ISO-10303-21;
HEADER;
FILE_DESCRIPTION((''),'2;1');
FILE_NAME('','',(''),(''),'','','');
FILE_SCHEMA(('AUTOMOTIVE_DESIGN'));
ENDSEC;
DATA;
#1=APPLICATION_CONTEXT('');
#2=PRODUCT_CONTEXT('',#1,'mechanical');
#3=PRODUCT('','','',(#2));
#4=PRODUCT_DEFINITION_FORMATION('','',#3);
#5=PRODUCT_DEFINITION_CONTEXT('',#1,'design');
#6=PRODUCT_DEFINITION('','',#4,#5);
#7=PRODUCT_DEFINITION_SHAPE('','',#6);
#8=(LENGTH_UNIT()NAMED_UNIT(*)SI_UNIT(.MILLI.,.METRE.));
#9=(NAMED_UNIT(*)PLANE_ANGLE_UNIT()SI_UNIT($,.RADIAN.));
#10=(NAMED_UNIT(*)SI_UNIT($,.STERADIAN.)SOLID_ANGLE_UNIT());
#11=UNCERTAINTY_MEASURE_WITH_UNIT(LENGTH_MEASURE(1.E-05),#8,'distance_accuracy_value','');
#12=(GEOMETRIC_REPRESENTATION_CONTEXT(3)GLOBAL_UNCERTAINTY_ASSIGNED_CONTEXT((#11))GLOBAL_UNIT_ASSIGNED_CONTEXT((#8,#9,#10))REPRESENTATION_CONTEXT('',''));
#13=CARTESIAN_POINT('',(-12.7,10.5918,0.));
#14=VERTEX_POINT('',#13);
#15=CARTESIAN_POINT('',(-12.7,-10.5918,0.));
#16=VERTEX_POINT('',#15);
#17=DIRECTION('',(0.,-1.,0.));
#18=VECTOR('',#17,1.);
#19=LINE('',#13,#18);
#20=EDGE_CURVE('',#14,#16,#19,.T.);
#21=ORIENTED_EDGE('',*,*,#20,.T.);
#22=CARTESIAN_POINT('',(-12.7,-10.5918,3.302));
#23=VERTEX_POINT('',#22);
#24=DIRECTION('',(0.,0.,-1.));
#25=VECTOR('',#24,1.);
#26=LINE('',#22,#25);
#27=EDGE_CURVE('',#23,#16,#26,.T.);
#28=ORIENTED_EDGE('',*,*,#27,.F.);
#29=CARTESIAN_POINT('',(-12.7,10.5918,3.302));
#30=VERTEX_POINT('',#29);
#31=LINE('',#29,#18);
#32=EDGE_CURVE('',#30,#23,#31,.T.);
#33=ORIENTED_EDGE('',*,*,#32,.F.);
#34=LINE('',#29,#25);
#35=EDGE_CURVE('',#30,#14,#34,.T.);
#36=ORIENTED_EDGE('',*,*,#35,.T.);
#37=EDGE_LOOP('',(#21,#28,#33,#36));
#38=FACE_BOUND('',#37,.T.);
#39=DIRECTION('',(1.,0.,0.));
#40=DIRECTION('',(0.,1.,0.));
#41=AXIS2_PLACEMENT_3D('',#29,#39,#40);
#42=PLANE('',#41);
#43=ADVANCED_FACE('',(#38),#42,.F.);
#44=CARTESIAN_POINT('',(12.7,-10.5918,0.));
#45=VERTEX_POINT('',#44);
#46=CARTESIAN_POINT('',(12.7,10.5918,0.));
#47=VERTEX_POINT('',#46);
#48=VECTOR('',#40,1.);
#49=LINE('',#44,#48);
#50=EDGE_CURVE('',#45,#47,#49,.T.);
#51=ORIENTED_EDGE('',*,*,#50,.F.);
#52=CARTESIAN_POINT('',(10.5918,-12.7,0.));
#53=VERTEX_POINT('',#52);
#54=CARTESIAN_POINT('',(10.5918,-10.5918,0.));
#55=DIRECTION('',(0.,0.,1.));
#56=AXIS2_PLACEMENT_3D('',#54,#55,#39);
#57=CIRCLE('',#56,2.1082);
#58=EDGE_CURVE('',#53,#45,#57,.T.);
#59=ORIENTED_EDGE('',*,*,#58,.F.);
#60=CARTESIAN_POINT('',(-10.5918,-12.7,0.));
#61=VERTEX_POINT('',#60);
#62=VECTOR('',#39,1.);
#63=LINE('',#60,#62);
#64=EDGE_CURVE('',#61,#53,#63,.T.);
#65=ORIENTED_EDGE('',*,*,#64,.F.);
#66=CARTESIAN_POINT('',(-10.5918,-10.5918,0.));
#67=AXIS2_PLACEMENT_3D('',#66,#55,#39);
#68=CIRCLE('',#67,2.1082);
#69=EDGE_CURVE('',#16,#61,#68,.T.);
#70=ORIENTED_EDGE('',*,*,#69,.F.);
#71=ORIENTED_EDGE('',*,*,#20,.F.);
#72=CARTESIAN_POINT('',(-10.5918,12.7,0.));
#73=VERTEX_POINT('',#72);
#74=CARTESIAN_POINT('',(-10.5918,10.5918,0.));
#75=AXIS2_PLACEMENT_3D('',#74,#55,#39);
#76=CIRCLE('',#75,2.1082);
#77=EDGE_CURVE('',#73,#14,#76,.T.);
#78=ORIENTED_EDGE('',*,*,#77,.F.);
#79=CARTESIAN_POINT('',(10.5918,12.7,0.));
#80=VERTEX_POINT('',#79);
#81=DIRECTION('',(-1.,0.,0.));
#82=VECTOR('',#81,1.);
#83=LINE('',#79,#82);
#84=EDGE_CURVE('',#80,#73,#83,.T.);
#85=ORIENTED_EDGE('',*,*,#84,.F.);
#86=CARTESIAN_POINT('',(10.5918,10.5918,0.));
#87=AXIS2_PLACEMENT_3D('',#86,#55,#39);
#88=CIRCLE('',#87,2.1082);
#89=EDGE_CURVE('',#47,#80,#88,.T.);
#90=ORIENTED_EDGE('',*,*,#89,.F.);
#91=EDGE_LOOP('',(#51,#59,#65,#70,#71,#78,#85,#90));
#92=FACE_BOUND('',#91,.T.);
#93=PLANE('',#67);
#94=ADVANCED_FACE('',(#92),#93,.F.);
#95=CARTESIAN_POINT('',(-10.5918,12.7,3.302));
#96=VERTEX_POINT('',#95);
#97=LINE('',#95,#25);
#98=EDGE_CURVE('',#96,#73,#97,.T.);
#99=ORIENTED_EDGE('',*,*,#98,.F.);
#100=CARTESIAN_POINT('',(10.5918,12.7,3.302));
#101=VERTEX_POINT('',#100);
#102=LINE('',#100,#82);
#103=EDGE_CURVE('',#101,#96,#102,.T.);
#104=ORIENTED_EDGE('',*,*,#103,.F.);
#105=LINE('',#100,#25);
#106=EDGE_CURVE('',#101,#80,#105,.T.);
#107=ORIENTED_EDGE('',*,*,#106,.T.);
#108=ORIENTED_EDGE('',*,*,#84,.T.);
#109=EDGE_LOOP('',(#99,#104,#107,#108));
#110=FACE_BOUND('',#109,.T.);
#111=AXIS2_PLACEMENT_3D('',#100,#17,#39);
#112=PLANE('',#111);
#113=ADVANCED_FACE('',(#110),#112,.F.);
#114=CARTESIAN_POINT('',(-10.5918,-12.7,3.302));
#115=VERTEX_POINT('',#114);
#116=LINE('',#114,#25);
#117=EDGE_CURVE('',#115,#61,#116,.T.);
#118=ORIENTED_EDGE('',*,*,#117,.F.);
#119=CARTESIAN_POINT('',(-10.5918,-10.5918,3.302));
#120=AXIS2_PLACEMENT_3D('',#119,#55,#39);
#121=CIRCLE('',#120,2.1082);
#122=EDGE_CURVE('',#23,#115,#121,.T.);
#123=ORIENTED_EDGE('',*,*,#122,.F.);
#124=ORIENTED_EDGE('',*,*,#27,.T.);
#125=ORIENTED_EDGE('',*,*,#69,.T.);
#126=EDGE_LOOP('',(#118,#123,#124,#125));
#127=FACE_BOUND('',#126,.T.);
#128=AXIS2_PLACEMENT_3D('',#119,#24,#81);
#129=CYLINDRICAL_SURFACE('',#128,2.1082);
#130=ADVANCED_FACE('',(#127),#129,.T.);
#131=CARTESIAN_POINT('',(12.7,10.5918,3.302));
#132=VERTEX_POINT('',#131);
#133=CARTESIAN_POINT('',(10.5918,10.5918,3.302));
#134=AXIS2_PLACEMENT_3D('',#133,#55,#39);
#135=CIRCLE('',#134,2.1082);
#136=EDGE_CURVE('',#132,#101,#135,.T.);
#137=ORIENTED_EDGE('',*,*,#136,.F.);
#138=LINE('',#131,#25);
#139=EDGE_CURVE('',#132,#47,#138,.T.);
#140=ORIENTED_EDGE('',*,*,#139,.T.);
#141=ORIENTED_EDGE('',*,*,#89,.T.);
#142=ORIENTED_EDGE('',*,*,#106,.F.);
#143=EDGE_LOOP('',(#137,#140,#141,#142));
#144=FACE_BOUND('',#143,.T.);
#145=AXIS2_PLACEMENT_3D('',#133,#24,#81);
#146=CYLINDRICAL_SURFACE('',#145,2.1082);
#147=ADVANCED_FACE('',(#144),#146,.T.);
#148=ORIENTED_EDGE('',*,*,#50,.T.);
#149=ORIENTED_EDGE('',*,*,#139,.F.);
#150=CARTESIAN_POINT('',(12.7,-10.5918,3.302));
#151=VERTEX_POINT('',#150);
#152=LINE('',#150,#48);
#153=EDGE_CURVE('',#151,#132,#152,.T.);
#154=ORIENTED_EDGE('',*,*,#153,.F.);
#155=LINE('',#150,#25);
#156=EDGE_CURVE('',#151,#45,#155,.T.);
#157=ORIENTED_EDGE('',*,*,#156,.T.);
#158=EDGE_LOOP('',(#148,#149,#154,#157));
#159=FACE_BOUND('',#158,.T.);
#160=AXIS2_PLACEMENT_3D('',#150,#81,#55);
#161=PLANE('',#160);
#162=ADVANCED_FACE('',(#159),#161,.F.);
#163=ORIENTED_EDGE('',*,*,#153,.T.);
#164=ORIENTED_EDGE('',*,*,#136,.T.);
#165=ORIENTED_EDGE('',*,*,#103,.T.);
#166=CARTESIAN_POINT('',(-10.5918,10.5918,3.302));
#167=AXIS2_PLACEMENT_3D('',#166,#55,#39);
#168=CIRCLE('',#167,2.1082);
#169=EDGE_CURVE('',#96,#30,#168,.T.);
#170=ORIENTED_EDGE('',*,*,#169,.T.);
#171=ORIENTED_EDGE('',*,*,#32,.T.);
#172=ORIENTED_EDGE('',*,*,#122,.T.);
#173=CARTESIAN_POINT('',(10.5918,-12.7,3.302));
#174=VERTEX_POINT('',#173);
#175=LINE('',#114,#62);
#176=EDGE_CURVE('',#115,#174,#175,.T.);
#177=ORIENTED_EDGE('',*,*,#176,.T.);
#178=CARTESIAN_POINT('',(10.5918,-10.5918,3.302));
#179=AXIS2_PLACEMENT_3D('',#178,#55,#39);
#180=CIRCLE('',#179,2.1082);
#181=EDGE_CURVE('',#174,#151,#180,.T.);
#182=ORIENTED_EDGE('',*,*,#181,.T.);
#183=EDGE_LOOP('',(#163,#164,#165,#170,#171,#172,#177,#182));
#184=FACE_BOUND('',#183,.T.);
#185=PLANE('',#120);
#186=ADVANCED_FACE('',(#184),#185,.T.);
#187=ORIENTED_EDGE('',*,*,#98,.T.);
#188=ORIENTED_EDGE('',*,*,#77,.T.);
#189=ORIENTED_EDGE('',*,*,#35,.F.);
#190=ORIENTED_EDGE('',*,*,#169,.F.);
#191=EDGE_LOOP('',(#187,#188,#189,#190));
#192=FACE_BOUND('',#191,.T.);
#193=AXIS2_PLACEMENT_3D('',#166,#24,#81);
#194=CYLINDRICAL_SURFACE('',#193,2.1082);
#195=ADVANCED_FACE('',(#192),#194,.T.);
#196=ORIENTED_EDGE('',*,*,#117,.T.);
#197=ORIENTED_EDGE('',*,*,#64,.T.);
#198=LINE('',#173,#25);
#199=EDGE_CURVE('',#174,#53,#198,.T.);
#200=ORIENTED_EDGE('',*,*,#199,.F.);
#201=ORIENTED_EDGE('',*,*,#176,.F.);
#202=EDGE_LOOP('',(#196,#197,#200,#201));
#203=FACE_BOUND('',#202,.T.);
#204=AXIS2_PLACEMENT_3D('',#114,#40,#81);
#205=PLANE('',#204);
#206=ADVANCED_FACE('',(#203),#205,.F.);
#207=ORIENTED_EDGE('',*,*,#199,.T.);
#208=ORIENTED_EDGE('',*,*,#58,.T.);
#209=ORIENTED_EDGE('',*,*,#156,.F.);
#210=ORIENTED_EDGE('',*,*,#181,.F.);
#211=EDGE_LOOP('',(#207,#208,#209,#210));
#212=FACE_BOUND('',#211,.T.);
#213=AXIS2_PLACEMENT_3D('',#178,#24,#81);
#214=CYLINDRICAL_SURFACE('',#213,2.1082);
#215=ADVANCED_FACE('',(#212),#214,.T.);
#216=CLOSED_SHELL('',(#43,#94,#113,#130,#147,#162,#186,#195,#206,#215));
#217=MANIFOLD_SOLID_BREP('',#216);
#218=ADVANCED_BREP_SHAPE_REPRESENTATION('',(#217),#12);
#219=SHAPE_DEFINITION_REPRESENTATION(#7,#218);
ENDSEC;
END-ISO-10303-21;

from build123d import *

# Parameters (mm, degrees)
BOSS_EXTRUDE1_DEPTH = 3.302


with BuildPart() as part:
    # Sketch1 → Boss-Extrude1 (new body)
    with BuildSketch(Plane(origin=(0, 0, 0), x_dir=(-1, 0, 0), z_dir=(0, 0, 1))):
        with BuildLine():
            Line((10.5918, 12.7), (-10.5918, 12.7))
            ThreePointArc((-10.5918, 12.7), (-12.082522516, 12.082522516), (-12.7, 10.5918))
            Line((-12.7, 10.5918), (-12.7, -10.5918))
            ThreePointArc((-12.7, -10.5918), (-12.082522516, -12.082522516), (-10.5918, -12.7))
            Line((-10.5918, -12.7), (10.5918, -12.7))
            ThreePointArc((10.5918, -12.7), (12.082522516, -12.082522516), (12.7, -10.5918))
            Line((12.7, -10.5918), (12.7, 10.5918))
            ThreePointArc((12.7, 10.5918), (12.082522516, 12.082522516), (10.5918, 12.7))
        make_face()
    extrude(amount=BOSS_EXTRUDE1_DEPTH)


solid = part.part
